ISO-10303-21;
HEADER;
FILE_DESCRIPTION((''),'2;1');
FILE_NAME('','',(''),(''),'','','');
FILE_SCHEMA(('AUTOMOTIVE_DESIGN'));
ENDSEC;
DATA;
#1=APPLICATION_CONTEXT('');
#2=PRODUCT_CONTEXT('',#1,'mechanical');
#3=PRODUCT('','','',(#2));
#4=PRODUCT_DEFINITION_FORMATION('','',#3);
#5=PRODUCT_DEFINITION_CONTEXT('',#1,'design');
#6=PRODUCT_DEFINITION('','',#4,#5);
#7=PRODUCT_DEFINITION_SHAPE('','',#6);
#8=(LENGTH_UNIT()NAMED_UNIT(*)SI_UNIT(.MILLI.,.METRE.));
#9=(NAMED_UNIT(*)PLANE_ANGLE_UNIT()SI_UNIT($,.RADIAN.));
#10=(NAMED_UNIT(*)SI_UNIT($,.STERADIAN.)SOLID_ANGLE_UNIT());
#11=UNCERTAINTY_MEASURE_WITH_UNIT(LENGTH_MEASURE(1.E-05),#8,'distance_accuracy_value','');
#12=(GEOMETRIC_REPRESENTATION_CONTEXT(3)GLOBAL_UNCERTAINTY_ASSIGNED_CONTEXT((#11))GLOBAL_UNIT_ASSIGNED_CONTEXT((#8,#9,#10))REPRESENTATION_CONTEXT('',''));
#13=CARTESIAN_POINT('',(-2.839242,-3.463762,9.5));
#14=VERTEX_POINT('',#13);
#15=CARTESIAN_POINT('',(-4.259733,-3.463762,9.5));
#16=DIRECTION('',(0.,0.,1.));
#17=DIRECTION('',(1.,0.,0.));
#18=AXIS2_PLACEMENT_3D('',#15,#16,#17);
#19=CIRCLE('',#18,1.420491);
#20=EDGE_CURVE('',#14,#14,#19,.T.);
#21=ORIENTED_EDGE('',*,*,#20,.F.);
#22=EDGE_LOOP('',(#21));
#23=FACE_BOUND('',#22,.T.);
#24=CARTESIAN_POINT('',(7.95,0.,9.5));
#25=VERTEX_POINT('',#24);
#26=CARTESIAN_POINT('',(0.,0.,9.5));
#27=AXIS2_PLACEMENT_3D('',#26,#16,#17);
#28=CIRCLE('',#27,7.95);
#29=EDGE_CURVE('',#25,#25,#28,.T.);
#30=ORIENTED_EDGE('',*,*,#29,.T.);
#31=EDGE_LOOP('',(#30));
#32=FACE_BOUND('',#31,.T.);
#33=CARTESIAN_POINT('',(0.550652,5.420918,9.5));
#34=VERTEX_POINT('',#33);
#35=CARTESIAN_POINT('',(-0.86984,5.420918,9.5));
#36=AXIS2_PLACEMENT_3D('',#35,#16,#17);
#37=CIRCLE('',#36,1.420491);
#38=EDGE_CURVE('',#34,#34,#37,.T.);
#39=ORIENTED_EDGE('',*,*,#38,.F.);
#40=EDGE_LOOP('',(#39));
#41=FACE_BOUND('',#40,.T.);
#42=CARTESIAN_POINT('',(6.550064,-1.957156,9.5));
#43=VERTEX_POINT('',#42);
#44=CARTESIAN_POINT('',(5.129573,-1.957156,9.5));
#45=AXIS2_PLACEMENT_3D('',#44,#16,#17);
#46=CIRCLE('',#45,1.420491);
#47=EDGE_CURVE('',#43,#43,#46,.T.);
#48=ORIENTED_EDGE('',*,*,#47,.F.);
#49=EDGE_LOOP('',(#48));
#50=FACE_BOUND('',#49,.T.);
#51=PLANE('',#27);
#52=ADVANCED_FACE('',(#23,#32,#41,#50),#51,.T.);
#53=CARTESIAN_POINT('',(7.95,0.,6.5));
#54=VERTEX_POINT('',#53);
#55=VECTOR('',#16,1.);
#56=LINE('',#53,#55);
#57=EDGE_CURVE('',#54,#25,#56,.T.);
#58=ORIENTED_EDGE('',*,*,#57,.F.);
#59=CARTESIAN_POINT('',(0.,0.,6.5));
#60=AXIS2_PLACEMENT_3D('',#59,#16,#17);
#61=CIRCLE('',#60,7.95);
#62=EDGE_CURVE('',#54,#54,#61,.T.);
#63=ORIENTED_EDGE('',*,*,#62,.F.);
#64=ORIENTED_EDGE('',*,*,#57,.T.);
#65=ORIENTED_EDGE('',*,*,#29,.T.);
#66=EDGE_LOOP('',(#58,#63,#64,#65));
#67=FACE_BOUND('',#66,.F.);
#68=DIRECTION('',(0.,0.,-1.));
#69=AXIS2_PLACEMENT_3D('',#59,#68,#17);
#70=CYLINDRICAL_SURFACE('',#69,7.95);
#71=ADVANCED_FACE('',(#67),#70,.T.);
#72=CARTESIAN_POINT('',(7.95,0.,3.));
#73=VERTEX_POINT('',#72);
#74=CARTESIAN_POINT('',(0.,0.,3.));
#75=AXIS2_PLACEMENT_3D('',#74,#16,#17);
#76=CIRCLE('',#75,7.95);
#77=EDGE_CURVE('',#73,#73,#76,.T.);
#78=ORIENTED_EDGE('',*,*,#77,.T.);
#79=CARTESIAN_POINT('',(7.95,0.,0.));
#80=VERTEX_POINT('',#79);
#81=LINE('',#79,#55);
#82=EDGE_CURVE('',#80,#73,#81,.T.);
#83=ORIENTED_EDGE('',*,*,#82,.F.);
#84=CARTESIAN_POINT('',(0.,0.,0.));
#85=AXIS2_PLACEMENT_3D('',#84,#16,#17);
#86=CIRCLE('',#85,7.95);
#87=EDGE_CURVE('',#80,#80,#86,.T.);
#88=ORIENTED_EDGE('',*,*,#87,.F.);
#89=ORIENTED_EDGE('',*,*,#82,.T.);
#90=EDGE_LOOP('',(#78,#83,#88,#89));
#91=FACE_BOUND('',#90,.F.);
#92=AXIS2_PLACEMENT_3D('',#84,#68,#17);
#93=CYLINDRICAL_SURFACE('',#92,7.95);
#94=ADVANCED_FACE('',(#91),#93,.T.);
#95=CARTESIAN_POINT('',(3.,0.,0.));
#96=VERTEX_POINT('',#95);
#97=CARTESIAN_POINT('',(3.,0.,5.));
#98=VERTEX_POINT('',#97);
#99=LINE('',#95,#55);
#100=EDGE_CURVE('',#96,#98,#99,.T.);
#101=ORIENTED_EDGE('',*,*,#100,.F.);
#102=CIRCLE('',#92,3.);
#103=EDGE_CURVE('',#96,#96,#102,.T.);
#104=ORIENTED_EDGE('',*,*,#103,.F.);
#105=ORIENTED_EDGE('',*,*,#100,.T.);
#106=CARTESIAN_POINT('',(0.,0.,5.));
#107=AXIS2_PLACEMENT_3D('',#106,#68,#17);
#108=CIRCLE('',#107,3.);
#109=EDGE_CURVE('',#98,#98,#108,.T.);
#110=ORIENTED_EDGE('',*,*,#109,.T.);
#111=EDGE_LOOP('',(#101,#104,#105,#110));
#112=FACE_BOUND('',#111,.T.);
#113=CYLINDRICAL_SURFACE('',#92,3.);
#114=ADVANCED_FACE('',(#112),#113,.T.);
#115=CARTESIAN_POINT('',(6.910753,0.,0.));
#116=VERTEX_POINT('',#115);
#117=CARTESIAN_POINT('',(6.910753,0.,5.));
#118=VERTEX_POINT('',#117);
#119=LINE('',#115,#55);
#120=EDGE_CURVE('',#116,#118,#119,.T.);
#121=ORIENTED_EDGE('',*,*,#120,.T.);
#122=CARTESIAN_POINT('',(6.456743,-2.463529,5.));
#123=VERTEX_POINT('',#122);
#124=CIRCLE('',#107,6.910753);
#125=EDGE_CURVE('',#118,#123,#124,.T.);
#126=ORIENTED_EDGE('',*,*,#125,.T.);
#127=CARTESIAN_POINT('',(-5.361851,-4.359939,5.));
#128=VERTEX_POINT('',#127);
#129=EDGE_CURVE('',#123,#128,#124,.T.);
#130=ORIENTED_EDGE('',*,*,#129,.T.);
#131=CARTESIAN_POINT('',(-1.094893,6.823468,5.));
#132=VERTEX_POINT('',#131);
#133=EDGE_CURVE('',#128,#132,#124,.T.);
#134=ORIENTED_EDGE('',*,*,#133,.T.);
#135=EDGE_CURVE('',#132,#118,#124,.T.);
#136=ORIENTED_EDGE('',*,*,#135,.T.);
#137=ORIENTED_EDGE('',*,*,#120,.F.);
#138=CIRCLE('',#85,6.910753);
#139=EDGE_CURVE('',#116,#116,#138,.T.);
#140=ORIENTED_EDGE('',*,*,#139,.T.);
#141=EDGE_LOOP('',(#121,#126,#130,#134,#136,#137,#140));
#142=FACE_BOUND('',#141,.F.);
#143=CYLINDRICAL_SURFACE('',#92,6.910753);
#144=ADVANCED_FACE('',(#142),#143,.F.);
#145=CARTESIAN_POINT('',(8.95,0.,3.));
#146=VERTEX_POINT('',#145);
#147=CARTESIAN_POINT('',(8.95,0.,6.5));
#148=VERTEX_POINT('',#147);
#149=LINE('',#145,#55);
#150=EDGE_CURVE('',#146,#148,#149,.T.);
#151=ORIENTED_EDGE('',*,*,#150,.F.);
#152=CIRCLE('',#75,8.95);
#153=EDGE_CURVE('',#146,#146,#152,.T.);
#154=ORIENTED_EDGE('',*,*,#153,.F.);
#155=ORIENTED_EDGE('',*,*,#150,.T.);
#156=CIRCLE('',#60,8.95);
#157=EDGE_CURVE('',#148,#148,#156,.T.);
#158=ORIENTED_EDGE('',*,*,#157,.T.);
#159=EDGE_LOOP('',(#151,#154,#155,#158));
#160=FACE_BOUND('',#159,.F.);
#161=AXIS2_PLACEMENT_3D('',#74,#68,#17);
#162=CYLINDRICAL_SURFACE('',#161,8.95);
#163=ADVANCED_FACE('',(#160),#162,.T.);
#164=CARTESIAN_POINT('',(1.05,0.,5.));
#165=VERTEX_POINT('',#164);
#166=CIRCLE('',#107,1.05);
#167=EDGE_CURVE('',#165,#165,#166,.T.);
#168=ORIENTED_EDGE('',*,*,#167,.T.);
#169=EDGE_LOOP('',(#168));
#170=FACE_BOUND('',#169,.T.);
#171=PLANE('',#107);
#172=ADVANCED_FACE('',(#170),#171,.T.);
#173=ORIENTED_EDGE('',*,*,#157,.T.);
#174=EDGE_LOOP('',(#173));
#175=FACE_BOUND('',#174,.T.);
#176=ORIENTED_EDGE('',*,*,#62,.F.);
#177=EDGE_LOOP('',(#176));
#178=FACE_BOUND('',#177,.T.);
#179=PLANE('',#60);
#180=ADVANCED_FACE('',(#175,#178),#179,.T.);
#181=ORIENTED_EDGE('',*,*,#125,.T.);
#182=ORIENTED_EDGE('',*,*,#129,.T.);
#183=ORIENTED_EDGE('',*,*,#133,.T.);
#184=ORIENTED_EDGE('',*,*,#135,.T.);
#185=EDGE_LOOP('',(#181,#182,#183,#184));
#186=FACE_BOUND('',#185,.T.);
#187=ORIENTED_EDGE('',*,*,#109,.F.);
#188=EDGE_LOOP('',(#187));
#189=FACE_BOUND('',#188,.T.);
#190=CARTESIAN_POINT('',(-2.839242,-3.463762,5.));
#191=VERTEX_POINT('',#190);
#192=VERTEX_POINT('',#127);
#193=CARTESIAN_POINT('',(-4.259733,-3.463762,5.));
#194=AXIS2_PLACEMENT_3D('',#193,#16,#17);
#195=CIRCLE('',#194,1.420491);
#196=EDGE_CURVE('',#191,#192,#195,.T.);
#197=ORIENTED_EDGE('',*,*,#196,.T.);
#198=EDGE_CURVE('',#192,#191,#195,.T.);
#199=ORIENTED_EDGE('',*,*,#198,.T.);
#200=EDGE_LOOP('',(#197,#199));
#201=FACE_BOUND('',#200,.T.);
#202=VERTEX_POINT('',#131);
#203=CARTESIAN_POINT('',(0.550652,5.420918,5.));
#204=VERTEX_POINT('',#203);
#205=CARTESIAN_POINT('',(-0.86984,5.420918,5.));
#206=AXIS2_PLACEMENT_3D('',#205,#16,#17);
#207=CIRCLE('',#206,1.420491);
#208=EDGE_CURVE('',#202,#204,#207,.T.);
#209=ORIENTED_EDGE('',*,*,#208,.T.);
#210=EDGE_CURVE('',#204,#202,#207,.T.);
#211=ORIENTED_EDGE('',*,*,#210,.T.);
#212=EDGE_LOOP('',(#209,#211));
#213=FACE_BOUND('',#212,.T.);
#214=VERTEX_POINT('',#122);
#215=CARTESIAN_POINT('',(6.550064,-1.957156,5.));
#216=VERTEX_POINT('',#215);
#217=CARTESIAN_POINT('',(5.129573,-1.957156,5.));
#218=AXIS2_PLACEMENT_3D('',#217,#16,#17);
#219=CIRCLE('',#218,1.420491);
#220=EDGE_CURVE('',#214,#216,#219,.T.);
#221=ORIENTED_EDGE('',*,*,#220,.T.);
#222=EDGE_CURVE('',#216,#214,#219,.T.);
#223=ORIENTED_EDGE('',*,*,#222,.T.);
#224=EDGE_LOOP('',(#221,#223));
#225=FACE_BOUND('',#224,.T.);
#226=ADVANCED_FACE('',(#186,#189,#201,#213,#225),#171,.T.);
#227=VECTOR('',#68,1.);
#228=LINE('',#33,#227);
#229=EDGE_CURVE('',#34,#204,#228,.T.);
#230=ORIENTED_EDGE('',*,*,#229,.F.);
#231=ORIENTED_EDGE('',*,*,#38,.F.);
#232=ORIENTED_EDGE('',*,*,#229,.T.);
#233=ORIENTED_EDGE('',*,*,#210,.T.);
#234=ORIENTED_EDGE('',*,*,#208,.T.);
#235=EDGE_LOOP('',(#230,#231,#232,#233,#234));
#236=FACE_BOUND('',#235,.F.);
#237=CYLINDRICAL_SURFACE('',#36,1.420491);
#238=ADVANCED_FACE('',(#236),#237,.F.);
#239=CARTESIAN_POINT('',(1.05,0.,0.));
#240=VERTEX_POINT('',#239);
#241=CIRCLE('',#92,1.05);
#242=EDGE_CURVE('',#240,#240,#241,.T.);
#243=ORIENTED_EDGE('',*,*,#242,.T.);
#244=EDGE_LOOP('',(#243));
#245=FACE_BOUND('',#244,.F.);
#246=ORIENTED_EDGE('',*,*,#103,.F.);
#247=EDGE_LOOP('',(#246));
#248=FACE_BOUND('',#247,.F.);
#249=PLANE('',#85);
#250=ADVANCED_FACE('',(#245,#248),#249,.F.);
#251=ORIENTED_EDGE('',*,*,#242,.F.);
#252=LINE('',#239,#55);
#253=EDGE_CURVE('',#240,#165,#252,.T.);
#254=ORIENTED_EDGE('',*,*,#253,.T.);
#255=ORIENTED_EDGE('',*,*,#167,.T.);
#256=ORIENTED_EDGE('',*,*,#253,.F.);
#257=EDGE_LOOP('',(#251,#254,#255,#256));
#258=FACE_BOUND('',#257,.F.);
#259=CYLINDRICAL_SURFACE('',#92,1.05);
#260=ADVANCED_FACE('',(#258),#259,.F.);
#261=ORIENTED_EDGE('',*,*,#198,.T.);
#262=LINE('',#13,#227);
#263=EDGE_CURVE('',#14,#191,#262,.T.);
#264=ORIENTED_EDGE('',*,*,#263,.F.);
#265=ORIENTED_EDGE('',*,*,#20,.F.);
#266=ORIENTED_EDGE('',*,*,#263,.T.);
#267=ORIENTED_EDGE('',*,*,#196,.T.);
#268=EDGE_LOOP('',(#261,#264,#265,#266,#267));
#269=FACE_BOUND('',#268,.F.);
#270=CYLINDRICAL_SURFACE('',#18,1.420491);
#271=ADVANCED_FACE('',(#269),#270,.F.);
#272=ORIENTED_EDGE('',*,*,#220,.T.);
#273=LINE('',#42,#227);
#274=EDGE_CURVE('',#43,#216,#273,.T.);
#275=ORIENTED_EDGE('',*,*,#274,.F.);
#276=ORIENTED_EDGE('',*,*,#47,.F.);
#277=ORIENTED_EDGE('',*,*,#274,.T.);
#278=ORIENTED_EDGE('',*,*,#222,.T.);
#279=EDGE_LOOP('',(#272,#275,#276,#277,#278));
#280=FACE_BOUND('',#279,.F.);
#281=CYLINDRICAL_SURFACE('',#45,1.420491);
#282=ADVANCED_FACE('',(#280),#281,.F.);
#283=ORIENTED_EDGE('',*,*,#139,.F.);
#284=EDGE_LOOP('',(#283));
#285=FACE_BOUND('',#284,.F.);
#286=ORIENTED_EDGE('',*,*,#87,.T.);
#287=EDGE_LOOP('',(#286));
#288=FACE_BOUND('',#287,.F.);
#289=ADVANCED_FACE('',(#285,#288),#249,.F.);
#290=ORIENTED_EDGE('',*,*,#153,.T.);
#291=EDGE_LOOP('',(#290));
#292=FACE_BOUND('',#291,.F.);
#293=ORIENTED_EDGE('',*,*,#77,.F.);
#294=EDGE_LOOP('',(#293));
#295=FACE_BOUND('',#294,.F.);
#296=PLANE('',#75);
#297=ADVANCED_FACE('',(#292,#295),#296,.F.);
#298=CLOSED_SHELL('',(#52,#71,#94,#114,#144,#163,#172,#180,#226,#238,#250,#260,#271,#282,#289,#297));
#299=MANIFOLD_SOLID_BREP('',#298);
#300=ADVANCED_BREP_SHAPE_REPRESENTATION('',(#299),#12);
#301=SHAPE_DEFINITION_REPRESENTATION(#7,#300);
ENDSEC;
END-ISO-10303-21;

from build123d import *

# Parameters (mm, degrees)
F0_R     = 7.95
F1_DEPTH = 3
F2_R     = 8.95
F3_DEPTH = 3.5
F4_R     = 7.95
F5_DEPTH = 3
F6_R     = 1.4204913212
F7_DEPTH = 9.501
F8_R     = 6.9107531966
F8_R_2   = 3
F8_R_3   = 1.05
F9_DEPTH = 5


with BuildPart() as f1:
    # F0 (on Top) → F1 (new body)
    with BuildSketch(Plane.XY):
        Circle(F0_R)
    extrude(amount=F1_DEPTH)

    # F2 (on face) → F3 (join)
    with BuildSketch(Plane.XY.offset(3)):
        Circle(F2_R)
    extrude(amount=F3_DEPTH)

    # F4 (on face) → F5 (join)
    with BuildSketch(Plane.XY.offset(6.5)):
        Circle(F4_R)
    extrude(amount=F5_DEPTH)

    # F6 (on face) → F7 (cut, through all)
    with BuildSketch(Plane.XY.offset(9.5)):
        with Locations((-0.869839613, 5.4209182347)):
            Circle(F6_R)
        with Locations((-4.2597330966, -3.4637623194)):
            Circle(F6_R)
        with Locations((5.1295727096, -1.9571559153)):
            Circle(F6_R)
    extrude(amount=-F7_DEPTH, mode=Mode.SUBTRACT)

    # F8 (on face) → F9 (cut)
    with BuildSketch(Plane(origin=(0, 0, 0), x_dir=(1, 0, 0), z_dir=(0, 0, -1))):
        Circle(F8_R)
        Circle(F8_R_2, mode=Mode.SUBTRACT)
        Circle(F8_R_3)
    extrude(amount=-F9_DEPTH, mode=Mode.SUBTRACT)


solid = f1.part
